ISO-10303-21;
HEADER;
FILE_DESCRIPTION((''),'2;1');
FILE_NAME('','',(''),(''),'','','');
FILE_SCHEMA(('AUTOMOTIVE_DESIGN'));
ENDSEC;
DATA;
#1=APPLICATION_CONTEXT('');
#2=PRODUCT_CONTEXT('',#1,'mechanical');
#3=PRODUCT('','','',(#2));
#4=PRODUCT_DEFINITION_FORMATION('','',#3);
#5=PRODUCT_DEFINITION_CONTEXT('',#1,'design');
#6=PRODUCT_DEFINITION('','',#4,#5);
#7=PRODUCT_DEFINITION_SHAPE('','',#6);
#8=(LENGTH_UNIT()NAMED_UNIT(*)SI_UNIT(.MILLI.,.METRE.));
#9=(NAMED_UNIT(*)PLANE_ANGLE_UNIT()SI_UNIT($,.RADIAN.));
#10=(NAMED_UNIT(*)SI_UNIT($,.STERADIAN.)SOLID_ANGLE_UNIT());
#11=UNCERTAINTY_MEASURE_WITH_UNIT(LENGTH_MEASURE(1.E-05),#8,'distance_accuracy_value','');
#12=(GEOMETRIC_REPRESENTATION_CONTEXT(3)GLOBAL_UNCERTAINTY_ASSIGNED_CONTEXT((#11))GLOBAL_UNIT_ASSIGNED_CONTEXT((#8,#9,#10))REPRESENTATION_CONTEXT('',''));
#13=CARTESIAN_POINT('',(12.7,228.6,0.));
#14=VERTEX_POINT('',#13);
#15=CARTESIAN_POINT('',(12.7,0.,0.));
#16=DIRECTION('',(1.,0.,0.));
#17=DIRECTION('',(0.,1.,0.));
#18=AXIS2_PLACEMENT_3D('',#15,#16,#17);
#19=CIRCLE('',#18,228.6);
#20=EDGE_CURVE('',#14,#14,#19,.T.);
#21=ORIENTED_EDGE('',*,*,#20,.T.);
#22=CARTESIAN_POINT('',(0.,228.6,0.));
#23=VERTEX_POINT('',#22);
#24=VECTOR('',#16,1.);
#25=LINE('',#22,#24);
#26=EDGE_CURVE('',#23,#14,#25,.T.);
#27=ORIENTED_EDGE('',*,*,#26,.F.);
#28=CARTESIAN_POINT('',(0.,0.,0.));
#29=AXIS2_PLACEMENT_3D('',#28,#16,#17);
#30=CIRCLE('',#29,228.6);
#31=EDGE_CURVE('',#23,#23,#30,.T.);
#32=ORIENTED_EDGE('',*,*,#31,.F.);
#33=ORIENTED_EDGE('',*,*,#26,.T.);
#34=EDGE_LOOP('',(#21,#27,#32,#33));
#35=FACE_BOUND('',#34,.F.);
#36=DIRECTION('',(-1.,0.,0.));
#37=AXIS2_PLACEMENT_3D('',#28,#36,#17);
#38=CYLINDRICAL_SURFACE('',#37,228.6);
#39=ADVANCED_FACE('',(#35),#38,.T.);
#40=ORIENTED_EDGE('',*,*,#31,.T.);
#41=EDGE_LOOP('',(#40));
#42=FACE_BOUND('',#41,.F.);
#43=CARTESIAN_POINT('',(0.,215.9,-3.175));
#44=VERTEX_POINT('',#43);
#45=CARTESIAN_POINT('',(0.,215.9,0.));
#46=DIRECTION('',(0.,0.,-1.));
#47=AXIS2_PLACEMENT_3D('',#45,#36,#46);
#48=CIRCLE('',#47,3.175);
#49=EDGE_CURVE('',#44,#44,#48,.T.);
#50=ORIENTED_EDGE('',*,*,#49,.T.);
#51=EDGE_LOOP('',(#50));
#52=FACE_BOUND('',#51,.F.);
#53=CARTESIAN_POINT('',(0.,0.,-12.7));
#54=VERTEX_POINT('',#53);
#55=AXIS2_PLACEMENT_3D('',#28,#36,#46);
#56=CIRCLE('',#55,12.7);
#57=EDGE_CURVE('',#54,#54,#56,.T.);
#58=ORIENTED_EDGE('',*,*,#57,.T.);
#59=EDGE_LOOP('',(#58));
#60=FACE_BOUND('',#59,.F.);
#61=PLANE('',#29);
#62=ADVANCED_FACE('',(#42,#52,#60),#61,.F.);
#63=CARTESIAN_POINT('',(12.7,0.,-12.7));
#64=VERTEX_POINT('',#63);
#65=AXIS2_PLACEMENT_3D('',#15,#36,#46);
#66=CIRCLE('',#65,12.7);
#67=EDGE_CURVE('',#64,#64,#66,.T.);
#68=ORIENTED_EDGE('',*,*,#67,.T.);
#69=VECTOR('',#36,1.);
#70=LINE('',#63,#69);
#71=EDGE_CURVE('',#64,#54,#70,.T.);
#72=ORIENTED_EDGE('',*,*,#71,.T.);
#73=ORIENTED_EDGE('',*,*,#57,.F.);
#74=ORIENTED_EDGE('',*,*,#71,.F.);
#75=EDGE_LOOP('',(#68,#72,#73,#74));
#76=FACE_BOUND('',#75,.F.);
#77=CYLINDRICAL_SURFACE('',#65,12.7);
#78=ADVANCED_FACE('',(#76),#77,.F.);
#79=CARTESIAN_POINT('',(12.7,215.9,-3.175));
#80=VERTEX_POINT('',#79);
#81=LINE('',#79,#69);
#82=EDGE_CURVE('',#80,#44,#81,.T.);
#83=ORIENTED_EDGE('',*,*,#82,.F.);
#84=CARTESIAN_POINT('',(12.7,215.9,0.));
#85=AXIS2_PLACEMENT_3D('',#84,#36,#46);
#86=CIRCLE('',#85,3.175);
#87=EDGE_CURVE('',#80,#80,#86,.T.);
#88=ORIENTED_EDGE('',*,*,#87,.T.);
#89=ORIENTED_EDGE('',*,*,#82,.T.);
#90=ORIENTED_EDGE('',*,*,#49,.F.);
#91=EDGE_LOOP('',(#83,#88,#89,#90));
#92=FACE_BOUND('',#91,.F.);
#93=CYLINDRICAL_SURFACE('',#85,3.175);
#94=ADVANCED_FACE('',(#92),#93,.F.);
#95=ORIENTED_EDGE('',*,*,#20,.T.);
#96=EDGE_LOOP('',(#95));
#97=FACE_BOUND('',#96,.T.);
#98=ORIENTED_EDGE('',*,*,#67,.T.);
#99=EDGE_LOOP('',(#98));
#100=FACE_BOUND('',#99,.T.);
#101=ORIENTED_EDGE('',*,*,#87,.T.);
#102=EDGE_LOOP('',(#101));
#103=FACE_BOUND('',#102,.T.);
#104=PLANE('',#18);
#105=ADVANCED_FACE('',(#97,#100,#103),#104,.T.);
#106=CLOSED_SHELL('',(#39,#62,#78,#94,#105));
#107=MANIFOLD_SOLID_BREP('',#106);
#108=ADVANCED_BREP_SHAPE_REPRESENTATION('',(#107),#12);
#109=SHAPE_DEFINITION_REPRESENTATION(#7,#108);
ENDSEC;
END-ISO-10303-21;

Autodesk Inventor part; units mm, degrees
ref_plane "YZ Plane" through (0, 0, 0) normal (1, 0, 0) x (0, 1, 0)
ref_plane "XZ Plane" through (0, 0, 0) normal (0, 1, 0) x (-1, 0, 0)
ref_plane "XY Plane" through (0, 0, 0) normal (0, 0, 1) x (1, 0, 0)
sketch "Sketch1" plane through (0, 0, 0) normal (1, 0, 0) x (0, 1, 0)
  circle A0 centre (0, 0) radius 228.6
  dimension "d0" = 457.2
extrude "Extrusion1" add sketch "Sketch1" along normal blind 12.7
hole "Hole1" at (12.7, 0, 0) direction (-1, 0, 0) diameter 25.4 end through all
sketch "Sketch3" plane through (12.7, 0, 0) normal (1, 0, 0) x (0, 0, -1)
  circle A0 centre (0, 0) radius 12.7 projected
  point P0 (0, 215.9)
  dimension "d23" = 215.9
hole "Hole2" at (12.7, 215.9, 0) direction (-1, 0, 0) diameter 6.35 end through all
properties part number "rotator"
